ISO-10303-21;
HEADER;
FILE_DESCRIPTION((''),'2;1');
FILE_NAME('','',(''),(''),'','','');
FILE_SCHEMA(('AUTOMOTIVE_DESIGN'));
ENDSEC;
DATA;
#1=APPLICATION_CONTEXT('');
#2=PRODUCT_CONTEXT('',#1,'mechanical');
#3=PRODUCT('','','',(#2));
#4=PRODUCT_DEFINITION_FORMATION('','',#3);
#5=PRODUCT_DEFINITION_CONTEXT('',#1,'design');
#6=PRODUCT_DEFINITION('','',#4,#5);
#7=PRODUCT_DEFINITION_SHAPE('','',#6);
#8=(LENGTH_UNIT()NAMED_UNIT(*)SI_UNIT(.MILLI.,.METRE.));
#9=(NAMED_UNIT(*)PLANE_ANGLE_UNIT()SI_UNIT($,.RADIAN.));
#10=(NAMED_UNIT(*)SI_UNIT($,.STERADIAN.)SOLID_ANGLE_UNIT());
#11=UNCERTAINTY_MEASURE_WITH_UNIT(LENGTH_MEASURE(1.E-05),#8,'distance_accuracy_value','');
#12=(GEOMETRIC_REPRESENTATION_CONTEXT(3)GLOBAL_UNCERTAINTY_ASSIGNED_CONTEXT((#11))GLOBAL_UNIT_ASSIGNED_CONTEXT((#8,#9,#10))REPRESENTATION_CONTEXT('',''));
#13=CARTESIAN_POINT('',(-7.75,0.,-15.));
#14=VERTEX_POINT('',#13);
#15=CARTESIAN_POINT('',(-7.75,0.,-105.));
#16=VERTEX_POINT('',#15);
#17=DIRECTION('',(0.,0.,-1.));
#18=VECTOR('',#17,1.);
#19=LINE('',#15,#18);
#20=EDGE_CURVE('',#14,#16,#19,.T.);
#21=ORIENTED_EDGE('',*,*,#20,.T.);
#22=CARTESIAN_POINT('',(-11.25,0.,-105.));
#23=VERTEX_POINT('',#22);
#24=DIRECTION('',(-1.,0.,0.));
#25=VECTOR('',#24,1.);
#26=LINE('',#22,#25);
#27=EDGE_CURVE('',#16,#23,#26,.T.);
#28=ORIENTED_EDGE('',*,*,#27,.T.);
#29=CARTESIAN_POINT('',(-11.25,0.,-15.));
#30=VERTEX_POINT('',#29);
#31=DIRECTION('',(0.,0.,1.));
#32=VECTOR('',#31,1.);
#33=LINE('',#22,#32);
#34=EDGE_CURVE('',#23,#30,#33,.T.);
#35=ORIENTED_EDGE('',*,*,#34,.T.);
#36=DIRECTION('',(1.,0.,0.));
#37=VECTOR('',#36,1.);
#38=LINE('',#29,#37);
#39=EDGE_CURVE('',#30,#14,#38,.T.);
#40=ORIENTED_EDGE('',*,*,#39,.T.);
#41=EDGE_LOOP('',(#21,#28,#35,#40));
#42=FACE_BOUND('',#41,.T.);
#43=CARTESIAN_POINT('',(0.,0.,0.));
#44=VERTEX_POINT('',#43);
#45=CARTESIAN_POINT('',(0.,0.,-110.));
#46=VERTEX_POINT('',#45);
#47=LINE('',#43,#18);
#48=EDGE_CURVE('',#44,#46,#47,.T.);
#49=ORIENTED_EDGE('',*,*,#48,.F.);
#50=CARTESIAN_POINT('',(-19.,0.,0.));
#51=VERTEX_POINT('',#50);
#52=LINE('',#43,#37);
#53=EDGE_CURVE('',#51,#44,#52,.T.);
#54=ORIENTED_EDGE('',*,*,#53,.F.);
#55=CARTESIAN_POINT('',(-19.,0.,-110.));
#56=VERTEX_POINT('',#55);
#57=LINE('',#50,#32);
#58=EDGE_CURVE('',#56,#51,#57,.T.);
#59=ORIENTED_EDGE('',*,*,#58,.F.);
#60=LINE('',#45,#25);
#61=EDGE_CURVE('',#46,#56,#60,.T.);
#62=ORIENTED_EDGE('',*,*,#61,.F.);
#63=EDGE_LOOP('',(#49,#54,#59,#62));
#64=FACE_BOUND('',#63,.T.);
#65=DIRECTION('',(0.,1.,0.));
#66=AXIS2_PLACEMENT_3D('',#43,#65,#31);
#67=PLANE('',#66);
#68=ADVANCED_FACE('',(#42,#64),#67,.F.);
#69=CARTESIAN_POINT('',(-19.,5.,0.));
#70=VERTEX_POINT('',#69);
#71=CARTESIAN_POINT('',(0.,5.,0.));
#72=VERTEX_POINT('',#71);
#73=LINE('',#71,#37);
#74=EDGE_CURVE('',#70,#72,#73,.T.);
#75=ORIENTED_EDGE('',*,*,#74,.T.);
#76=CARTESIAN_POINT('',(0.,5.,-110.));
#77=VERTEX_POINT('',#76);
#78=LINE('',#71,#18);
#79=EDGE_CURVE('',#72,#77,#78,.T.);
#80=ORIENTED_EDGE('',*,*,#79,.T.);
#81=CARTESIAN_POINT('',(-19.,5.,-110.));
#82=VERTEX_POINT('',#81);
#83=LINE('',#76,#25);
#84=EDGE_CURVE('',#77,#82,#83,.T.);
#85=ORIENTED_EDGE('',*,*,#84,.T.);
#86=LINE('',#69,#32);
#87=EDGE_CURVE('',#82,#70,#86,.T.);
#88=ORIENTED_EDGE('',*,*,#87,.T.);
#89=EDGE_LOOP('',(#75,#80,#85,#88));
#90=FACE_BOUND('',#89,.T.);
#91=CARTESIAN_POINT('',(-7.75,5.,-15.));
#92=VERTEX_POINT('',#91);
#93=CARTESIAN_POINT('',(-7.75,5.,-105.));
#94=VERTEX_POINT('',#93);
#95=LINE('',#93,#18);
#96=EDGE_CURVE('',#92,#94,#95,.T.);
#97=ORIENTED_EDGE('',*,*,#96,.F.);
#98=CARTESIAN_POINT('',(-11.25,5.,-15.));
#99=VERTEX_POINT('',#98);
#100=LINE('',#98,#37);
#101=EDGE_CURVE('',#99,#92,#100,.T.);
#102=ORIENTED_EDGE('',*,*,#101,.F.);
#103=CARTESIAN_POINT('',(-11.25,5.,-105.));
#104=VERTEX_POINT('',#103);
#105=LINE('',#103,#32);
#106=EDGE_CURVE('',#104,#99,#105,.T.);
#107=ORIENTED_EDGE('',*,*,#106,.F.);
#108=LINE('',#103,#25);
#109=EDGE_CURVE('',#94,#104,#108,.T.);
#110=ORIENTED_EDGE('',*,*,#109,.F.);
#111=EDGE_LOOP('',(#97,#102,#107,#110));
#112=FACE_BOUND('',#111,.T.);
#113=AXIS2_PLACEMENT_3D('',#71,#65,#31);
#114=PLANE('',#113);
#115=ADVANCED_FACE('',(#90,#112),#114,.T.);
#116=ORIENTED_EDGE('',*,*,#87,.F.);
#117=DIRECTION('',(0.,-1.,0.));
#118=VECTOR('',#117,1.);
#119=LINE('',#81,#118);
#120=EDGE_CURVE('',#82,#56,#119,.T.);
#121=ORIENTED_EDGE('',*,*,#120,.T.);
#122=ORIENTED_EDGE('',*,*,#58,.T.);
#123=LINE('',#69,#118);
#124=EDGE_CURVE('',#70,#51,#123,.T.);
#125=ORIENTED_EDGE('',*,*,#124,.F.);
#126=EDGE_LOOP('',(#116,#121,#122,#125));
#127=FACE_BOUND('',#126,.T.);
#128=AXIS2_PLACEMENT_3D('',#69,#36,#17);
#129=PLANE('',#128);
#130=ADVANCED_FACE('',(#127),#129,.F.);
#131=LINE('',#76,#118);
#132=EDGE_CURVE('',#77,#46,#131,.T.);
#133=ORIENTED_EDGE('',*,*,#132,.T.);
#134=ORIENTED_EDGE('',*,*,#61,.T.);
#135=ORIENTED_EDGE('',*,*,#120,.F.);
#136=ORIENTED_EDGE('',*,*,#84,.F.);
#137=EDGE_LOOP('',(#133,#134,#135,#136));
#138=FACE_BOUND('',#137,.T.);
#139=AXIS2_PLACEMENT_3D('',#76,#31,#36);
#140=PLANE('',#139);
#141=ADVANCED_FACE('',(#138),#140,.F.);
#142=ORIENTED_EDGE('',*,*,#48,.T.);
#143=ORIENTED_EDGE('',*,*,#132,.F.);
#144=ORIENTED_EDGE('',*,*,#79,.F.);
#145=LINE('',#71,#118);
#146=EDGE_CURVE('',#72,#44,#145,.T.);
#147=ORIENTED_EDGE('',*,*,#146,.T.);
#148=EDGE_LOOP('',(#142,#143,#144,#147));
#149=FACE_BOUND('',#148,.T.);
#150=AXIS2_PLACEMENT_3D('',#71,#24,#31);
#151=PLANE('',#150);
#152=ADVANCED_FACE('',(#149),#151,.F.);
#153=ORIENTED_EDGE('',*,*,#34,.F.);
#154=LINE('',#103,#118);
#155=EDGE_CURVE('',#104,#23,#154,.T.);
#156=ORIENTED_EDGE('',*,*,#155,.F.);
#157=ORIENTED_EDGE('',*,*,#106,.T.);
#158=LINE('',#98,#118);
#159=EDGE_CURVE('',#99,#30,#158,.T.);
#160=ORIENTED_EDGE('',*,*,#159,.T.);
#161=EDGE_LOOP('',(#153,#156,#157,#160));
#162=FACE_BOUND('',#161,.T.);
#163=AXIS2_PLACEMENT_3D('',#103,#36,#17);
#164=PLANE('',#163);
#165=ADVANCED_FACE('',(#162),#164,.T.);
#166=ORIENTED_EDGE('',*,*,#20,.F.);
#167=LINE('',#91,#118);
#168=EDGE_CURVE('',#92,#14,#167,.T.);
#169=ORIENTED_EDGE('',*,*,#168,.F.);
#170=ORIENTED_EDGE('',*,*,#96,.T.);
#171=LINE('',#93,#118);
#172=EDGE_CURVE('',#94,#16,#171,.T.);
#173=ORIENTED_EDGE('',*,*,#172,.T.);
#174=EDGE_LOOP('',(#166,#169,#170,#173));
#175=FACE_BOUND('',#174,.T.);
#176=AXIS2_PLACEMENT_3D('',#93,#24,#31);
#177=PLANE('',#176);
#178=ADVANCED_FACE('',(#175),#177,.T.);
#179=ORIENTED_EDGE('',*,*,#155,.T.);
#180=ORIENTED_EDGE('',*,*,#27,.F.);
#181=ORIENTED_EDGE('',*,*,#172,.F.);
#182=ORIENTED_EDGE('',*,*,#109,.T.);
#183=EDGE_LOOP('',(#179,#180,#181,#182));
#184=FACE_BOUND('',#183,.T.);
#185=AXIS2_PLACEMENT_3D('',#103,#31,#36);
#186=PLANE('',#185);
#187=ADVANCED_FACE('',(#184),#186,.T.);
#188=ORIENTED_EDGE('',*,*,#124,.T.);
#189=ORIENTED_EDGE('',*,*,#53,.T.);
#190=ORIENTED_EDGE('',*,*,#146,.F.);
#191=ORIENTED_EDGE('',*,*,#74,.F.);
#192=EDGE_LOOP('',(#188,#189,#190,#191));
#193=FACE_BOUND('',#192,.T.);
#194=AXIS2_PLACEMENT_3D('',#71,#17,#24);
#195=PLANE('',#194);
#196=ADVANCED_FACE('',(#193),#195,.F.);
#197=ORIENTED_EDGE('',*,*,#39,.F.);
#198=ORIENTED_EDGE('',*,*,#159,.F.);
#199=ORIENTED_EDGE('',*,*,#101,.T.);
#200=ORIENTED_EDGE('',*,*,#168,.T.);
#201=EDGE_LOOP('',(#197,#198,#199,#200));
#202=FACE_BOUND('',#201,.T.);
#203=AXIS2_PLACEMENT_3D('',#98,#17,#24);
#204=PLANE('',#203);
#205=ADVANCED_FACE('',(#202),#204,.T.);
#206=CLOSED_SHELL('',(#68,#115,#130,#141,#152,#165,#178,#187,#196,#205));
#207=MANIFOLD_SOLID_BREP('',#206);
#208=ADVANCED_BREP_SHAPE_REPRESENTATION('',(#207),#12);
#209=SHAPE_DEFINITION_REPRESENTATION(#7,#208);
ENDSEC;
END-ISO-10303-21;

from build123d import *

# Parameters (mm, degrees)
SKETCH1_W           = 19
SKETCH1_H           = 110
SKETCH1_W_2         = 3.5
SKETCH1_H_2         = 90
BOSS_EXTRUDE1_DEPTH = 5


with BuildPart() as part:
    # Sketch1 → Boss-Extrude1 (new body)
    with BuildSketch(Plane(origin=(0, 0, 0), x_dir=(1, 0, 0), z_dir=(0, 1, 0))):
        with Locations((-9.5, 55)):
            Rectangle(SKETCH1_W, SKETCH1_H)
        with Locations((-9.5, 60)):
            Rectangle(SKETCH1_W_2, SKETCH1_H_2, mode=Mode.SUBTRACT)
    extrude(amount=BOSS_EXTRUDE1_DEPTH)


solid = part.part
